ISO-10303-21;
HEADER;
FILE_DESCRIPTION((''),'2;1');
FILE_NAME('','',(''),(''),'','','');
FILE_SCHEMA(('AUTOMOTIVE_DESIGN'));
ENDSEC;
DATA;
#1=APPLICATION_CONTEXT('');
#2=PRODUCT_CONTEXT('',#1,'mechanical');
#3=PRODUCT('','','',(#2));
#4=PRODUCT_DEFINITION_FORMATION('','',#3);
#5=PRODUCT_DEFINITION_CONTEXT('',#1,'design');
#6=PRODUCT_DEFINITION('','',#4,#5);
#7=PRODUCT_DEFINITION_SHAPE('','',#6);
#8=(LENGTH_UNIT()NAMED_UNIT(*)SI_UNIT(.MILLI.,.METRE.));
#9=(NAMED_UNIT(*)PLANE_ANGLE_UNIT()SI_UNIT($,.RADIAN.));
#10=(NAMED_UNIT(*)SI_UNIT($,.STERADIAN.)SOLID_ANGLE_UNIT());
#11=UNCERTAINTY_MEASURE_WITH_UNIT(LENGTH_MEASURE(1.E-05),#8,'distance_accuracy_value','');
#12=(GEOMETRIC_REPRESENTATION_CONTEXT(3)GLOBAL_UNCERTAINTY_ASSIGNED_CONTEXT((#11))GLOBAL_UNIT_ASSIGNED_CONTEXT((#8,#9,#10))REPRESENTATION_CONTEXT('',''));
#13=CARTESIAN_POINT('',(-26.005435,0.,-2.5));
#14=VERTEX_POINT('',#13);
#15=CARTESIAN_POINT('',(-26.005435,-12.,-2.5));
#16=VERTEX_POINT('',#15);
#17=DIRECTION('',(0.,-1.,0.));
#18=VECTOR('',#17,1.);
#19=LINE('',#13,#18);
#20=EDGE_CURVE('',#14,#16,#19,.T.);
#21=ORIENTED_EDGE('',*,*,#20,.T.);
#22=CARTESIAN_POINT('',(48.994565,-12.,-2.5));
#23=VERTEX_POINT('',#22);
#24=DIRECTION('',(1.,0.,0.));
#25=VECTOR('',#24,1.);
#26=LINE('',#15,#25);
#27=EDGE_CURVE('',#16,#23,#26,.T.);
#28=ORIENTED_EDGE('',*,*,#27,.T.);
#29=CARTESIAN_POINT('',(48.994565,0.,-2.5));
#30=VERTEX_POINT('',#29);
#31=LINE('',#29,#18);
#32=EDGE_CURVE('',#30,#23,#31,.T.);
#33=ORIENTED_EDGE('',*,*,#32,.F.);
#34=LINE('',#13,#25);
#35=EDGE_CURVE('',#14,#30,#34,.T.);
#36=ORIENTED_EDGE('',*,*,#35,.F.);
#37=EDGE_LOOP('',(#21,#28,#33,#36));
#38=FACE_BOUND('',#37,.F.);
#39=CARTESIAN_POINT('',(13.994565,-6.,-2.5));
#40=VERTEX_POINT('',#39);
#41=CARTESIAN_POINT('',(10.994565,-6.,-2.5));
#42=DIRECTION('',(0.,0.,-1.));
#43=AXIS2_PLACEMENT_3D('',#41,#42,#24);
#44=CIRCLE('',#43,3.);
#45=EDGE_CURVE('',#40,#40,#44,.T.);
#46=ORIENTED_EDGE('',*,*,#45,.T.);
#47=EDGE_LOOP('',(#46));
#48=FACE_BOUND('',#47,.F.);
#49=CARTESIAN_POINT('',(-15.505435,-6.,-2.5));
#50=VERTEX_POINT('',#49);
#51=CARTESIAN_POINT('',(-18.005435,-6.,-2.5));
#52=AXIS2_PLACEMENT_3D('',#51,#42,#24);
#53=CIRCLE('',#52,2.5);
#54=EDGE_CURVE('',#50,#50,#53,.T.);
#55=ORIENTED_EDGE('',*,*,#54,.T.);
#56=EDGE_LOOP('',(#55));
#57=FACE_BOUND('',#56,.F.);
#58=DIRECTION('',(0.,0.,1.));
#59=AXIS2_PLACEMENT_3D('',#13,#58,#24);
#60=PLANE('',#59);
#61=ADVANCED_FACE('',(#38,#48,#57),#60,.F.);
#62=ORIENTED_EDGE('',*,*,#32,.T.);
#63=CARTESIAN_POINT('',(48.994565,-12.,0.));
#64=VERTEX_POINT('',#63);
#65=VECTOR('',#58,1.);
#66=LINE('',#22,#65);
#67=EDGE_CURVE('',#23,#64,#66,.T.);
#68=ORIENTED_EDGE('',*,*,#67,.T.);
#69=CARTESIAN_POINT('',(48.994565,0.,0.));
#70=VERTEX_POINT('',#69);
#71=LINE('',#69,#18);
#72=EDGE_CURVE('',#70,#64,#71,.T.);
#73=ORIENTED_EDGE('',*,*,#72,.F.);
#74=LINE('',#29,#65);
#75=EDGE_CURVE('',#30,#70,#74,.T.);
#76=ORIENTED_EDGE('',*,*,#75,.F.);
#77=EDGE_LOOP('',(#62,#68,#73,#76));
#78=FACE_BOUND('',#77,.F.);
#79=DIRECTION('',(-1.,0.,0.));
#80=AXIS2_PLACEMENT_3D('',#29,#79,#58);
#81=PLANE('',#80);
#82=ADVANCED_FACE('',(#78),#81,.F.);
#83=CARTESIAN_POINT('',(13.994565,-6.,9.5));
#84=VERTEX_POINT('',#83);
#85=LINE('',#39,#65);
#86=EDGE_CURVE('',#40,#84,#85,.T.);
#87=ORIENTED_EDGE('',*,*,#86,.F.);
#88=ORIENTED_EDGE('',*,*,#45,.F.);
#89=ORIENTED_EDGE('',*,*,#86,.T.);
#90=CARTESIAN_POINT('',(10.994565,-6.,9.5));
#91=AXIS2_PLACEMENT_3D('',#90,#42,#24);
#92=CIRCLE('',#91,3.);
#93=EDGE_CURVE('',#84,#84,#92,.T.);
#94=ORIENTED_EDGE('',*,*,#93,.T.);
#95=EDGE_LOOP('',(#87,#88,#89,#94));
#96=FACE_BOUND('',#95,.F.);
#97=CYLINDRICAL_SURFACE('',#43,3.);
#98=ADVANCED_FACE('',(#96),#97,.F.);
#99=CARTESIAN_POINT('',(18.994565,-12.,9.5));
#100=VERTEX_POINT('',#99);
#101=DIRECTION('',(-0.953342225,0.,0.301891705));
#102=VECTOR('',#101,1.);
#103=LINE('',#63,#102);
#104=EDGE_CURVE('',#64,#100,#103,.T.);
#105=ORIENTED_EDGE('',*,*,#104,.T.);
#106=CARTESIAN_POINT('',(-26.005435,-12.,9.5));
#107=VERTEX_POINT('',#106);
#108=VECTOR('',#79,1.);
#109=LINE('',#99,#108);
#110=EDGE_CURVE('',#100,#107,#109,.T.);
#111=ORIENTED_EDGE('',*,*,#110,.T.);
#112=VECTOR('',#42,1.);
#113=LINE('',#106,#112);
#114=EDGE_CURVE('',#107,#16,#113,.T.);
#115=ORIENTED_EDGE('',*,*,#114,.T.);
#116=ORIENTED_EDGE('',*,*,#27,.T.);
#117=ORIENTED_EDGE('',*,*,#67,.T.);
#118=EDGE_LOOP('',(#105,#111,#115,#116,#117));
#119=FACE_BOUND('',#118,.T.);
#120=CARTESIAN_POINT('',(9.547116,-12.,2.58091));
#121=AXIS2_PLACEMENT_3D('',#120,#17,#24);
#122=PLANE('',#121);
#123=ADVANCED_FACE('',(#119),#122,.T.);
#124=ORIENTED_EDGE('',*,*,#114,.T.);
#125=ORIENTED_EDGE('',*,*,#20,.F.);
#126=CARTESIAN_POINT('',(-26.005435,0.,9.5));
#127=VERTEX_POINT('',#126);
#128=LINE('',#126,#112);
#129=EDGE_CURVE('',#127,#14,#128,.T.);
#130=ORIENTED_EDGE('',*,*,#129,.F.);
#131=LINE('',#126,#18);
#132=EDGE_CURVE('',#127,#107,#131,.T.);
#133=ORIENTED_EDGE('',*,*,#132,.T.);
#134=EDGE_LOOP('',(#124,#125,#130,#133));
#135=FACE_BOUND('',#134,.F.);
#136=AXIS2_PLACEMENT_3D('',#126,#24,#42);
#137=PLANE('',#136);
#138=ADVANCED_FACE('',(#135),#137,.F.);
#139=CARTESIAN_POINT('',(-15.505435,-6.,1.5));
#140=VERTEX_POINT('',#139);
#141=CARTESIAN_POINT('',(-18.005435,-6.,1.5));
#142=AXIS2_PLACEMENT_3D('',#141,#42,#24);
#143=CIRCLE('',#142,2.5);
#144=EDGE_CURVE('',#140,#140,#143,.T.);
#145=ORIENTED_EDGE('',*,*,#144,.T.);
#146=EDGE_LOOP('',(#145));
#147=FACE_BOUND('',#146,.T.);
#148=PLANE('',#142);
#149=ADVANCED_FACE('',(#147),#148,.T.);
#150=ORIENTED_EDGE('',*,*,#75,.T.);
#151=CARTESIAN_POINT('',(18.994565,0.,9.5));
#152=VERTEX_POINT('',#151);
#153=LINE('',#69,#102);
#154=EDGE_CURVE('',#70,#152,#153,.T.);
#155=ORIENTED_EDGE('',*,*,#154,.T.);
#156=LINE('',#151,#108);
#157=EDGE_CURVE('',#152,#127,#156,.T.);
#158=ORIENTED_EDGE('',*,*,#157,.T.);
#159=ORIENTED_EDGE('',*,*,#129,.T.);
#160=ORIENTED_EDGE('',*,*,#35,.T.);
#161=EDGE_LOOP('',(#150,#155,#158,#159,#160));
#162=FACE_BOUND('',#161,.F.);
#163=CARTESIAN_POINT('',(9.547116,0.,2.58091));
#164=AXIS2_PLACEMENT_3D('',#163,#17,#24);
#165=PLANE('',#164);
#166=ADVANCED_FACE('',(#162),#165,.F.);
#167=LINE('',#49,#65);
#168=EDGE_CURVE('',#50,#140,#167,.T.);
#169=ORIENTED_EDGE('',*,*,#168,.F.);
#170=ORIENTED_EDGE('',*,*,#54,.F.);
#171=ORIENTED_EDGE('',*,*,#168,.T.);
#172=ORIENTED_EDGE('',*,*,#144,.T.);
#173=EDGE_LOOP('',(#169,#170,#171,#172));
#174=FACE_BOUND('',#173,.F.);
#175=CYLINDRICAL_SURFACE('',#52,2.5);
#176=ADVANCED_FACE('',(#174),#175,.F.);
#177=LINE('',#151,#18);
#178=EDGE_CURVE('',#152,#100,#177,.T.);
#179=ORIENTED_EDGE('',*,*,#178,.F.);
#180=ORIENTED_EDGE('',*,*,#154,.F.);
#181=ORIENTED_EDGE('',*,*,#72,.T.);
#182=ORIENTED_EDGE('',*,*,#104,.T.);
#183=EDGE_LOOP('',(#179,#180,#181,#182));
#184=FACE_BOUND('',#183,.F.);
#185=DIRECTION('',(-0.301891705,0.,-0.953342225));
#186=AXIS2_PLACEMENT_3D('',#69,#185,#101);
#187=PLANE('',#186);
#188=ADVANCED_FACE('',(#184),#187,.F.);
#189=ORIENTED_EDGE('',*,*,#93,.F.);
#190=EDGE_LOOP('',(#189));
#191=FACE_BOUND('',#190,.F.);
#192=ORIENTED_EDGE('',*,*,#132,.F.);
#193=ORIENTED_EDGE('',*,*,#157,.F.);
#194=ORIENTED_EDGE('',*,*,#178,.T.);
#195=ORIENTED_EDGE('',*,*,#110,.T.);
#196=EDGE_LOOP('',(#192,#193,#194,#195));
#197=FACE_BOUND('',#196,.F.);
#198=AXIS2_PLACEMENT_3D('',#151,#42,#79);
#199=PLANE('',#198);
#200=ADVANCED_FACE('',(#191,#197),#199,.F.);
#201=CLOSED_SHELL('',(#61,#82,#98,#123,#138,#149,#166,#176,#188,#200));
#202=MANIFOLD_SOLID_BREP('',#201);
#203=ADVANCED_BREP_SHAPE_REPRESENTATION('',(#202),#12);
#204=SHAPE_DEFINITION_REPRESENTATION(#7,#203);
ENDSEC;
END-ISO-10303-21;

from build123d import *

# Parameters (mm, degrees)
F1_DEPTH = 12
F2_R     = 2.5
F3_DEPTH = 4
F4_R     = 3
F5_DEPTH = 12


with BuildPart() as f1:
    # F0 (on Front) → F1 (new body)
    with BuildSketch(Plane.XZ):
        Polygon((18.994565, 9.5), (-26.005435, 9.5), (-26.005435, -2.5), (48.994565, -2.5), (48.994565, 0), align=None)
    extrude(amount=F1_DEPTH)

    # F2 (on face) → F3 (cut)
    with BuildSketch(Plane(origin=(0, 0, -2.5), x_dir=(1, 0, 0), z_dir=(0, 0, -1))):
        with Locations((-18.005435, 6)):
            Circle(F2_R)
    extrude(amount=-F3_DEPTH, mode=Mode.SUBTRACT)

    # F4 (on face) → F5 (cut)
    with BuildSketch(Plane(origin=(0, 0, -2.5), x_dir=(1, 0, 0), z_dir=(0, 0, -1))):
        with Locations((10.994565, 6)):
            Circle(F4_R)
    extrude(amount=-F5_DEPTH, mode=Mode.SUBTRACT)


solid = f1.part
